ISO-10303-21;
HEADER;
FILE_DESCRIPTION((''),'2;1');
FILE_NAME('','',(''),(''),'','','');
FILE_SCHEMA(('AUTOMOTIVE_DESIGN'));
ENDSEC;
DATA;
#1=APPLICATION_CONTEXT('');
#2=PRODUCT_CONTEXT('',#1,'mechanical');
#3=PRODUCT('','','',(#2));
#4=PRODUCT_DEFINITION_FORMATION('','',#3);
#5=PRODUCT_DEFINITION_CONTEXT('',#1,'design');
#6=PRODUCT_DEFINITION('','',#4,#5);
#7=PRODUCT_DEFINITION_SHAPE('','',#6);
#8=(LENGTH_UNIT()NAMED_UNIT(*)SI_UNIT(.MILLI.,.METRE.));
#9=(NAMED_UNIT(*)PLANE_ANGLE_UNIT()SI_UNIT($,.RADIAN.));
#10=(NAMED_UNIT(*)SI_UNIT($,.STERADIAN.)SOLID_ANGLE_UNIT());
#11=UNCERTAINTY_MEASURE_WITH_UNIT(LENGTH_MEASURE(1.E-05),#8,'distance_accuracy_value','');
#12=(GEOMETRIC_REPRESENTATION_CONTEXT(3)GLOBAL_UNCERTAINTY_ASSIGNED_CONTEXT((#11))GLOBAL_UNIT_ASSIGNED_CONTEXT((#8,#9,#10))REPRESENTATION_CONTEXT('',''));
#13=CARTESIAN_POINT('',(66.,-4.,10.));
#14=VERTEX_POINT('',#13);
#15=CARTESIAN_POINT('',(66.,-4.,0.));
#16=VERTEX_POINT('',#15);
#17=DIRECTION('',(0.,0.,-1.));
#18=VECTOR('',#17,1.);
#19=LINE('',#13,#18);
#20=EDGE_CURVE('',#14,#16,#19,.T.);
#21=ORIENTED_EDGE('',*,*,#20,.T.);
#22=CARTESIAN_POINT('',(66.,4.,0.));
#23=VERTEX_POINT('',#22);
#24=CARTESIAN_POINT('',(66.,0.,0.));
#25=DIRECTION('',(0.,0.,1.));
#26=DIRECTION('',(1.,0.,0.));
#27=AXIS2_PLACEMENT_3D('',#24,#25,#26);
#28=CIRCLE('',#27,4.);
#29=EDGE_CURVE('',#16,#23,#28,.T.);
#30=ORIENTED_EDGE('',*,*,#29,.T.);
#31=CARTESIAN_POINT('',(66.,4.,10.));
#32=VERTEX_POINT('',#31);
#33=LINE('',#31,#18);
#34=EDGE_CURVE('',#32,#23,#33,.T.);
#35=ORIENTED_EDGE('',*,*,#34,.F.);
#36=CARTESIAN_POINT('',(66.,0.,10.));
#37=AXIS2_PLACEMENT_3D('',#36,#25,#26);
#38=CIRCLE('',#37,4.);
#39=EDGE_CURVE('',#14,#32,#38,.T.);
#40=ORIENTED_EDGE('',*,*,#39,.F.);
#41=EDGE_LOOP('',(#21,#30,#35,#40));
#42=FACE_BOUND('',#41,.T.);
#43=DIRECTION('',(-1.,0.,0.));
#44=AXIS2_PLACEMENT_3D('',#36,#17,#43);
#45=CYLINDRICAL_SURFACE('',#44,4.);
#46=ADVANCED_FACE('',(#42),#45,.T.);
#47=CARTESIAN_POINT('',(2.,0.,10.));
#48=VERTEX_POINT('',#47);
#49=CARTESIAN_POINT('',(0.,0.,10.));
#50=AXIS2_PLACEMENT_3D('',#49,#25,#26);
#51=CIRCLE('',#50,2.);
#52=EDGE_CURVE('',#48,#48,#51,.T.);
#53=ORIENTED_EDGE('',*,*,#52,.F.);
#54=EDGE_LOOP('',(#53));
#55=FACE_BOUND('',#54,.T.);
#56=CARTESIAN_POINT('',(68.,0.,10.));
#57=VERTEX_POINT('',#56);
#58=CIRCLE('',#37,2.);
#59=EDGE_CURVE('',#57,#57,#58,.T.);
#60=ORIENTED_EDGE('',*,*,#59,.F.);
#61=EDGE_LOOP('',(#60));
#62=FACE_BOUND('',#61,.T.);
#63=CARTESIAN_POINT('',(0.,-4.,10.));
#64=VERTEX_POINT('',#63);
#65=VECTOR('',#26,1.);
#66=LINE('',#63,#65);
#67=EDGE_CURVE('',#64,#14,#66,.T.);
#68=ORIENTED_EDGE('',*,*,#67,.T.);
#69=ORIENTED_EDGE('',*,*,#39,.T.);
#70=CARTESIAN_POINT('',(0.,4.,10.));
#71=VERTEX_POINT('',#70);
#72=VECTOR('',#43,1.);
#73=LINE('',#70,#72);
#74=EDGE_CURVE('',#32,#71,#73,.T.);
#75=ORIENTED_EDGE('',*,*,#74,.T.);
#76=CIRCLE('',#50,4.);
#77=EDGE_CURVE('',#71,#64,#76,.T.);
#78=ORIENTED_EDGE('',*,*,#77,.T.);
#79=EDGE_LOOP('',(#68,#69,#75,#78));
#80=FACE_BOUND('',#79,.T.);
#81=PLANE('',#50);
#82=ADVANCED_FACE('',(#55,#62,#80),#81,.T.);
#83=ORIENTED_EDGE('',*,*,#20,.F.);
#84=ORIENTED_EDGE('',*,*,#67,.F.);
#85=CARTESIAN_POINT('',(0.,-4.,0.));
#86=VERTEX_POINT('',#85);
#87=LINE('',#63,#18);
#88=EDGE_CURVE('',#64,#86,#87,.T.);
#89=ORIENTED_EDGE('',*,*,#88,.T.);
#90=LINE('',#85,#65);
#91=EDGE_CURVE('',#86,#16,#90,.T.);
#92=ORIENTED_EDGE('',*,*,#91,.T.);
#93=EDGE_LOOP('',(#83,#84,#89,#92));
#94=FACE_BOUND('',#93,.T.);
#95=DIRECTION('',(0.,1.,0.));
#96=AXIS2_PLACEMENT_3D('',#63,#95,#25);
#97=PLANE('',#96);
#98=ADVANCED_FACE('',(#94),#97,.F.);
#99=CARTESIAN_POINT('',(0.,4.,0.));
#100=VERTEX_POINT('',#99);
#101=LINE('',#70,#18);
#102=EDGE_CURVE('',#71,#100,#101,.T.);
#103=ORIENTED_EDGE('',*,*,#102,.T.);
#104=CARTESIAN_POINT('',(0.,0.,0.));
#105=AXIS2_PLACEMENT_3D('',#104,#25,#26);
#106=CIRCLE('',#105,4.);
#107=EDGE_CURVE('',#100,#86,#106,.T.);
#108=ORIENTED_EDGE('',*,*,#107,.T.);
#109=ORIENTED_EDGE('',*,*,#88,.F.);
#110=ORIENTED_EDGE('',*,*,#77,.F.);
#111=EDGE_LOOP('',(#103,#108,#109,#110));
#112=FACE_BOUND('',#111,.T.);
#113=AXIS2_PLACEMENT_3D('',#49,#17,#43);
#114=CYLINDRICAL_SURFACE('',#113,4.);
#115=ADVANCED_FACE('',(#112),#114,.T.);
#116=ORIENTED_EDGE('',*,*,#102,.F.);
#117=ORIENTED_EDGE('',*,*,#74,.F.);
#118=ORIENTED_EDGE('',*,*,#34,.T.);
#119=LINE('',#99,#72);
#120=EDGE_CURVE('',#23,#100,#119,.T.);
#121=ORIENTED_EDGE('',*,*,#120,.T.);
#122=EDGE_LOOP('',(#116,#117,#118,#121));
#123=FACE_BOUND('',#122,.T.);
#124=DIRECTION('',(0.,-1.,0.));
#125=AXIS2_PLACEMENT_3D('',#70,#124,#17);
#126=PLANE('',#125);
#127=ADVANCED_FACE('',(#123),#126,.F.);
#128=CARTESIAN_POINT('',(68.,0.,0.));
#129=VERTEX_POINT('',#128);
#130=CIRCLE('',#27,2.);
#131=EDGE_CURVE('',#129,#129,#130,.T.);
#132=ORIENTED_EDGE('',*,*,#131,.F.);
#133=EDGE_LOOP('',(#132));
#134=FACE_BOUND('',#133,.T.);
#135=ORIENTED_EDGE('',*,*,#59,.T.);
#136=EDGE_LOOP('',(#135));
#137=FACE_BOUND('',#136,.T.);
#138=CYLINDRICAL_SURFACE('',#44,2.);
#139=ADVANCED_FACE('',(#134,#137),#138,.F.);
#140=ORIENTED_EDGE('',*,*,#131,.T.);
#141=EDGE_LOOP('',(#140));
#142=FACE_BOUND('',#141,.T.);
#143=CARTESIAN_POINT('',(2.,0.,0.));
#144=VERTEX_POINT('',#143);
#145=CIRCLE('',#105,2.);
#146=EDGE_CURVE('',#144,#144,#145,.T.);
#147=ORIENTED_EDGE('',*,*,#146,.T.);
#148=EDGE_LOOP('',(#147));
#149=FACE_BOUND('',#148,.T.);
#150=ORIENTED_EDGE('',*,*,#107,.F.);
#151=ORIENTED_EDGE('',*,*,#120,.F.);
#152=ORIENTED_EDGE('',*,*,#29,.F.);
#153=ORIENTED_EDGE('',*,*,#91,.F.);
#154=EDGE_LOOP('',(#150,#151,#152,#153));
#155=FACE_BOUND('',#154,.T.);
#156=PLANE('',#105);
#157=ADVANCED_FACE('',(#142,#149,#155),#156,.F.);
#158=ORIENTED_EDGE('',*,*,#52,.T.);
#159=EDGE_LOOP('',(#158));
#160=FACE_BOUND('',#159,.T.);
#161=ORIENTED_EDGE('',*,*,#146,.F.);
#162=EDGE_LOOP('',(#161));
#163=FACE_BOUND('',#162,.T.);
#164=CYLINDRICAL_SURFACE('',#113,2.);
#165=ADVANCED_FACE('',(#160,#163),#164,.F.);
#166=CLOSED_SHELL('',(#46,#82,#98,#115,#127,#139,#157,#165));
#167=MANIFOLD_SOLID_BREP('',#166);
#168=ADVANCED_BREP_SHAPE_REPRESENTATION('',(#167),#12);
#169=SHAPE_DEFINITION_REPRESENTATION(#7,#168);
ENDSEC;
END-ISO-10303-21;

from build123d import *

# Parameters (mm, degrees)
CROQUIS1_R              = 2
SALIENTE_EXTRUIR1_DEPTH = 10


with BuildPart() as part:
    # Croquis1 → Saliente-Extruir1 (new body)
    with BuildSketch(Plane.XY):
        with BuildLine():
            Line((0, 4), (66, 4))
            ThreePointArc((66, 4), (70, 0), (66, -4))
            Line((66, -4), (0, -4))
            ThreePointArc((0, -4), (-4, 0), (0, 4))
        make_face()
        Circle(CROQUIS1_R, mode=Mode.SUBTRACT)
        with Locations((66, 0)):
            Circle(CROQUIS1_R, mode=Mode.SUBTRACT)
    extrude(amount=SALIENTE_EXTRUIR1_DEPTH)


solid = part.part
